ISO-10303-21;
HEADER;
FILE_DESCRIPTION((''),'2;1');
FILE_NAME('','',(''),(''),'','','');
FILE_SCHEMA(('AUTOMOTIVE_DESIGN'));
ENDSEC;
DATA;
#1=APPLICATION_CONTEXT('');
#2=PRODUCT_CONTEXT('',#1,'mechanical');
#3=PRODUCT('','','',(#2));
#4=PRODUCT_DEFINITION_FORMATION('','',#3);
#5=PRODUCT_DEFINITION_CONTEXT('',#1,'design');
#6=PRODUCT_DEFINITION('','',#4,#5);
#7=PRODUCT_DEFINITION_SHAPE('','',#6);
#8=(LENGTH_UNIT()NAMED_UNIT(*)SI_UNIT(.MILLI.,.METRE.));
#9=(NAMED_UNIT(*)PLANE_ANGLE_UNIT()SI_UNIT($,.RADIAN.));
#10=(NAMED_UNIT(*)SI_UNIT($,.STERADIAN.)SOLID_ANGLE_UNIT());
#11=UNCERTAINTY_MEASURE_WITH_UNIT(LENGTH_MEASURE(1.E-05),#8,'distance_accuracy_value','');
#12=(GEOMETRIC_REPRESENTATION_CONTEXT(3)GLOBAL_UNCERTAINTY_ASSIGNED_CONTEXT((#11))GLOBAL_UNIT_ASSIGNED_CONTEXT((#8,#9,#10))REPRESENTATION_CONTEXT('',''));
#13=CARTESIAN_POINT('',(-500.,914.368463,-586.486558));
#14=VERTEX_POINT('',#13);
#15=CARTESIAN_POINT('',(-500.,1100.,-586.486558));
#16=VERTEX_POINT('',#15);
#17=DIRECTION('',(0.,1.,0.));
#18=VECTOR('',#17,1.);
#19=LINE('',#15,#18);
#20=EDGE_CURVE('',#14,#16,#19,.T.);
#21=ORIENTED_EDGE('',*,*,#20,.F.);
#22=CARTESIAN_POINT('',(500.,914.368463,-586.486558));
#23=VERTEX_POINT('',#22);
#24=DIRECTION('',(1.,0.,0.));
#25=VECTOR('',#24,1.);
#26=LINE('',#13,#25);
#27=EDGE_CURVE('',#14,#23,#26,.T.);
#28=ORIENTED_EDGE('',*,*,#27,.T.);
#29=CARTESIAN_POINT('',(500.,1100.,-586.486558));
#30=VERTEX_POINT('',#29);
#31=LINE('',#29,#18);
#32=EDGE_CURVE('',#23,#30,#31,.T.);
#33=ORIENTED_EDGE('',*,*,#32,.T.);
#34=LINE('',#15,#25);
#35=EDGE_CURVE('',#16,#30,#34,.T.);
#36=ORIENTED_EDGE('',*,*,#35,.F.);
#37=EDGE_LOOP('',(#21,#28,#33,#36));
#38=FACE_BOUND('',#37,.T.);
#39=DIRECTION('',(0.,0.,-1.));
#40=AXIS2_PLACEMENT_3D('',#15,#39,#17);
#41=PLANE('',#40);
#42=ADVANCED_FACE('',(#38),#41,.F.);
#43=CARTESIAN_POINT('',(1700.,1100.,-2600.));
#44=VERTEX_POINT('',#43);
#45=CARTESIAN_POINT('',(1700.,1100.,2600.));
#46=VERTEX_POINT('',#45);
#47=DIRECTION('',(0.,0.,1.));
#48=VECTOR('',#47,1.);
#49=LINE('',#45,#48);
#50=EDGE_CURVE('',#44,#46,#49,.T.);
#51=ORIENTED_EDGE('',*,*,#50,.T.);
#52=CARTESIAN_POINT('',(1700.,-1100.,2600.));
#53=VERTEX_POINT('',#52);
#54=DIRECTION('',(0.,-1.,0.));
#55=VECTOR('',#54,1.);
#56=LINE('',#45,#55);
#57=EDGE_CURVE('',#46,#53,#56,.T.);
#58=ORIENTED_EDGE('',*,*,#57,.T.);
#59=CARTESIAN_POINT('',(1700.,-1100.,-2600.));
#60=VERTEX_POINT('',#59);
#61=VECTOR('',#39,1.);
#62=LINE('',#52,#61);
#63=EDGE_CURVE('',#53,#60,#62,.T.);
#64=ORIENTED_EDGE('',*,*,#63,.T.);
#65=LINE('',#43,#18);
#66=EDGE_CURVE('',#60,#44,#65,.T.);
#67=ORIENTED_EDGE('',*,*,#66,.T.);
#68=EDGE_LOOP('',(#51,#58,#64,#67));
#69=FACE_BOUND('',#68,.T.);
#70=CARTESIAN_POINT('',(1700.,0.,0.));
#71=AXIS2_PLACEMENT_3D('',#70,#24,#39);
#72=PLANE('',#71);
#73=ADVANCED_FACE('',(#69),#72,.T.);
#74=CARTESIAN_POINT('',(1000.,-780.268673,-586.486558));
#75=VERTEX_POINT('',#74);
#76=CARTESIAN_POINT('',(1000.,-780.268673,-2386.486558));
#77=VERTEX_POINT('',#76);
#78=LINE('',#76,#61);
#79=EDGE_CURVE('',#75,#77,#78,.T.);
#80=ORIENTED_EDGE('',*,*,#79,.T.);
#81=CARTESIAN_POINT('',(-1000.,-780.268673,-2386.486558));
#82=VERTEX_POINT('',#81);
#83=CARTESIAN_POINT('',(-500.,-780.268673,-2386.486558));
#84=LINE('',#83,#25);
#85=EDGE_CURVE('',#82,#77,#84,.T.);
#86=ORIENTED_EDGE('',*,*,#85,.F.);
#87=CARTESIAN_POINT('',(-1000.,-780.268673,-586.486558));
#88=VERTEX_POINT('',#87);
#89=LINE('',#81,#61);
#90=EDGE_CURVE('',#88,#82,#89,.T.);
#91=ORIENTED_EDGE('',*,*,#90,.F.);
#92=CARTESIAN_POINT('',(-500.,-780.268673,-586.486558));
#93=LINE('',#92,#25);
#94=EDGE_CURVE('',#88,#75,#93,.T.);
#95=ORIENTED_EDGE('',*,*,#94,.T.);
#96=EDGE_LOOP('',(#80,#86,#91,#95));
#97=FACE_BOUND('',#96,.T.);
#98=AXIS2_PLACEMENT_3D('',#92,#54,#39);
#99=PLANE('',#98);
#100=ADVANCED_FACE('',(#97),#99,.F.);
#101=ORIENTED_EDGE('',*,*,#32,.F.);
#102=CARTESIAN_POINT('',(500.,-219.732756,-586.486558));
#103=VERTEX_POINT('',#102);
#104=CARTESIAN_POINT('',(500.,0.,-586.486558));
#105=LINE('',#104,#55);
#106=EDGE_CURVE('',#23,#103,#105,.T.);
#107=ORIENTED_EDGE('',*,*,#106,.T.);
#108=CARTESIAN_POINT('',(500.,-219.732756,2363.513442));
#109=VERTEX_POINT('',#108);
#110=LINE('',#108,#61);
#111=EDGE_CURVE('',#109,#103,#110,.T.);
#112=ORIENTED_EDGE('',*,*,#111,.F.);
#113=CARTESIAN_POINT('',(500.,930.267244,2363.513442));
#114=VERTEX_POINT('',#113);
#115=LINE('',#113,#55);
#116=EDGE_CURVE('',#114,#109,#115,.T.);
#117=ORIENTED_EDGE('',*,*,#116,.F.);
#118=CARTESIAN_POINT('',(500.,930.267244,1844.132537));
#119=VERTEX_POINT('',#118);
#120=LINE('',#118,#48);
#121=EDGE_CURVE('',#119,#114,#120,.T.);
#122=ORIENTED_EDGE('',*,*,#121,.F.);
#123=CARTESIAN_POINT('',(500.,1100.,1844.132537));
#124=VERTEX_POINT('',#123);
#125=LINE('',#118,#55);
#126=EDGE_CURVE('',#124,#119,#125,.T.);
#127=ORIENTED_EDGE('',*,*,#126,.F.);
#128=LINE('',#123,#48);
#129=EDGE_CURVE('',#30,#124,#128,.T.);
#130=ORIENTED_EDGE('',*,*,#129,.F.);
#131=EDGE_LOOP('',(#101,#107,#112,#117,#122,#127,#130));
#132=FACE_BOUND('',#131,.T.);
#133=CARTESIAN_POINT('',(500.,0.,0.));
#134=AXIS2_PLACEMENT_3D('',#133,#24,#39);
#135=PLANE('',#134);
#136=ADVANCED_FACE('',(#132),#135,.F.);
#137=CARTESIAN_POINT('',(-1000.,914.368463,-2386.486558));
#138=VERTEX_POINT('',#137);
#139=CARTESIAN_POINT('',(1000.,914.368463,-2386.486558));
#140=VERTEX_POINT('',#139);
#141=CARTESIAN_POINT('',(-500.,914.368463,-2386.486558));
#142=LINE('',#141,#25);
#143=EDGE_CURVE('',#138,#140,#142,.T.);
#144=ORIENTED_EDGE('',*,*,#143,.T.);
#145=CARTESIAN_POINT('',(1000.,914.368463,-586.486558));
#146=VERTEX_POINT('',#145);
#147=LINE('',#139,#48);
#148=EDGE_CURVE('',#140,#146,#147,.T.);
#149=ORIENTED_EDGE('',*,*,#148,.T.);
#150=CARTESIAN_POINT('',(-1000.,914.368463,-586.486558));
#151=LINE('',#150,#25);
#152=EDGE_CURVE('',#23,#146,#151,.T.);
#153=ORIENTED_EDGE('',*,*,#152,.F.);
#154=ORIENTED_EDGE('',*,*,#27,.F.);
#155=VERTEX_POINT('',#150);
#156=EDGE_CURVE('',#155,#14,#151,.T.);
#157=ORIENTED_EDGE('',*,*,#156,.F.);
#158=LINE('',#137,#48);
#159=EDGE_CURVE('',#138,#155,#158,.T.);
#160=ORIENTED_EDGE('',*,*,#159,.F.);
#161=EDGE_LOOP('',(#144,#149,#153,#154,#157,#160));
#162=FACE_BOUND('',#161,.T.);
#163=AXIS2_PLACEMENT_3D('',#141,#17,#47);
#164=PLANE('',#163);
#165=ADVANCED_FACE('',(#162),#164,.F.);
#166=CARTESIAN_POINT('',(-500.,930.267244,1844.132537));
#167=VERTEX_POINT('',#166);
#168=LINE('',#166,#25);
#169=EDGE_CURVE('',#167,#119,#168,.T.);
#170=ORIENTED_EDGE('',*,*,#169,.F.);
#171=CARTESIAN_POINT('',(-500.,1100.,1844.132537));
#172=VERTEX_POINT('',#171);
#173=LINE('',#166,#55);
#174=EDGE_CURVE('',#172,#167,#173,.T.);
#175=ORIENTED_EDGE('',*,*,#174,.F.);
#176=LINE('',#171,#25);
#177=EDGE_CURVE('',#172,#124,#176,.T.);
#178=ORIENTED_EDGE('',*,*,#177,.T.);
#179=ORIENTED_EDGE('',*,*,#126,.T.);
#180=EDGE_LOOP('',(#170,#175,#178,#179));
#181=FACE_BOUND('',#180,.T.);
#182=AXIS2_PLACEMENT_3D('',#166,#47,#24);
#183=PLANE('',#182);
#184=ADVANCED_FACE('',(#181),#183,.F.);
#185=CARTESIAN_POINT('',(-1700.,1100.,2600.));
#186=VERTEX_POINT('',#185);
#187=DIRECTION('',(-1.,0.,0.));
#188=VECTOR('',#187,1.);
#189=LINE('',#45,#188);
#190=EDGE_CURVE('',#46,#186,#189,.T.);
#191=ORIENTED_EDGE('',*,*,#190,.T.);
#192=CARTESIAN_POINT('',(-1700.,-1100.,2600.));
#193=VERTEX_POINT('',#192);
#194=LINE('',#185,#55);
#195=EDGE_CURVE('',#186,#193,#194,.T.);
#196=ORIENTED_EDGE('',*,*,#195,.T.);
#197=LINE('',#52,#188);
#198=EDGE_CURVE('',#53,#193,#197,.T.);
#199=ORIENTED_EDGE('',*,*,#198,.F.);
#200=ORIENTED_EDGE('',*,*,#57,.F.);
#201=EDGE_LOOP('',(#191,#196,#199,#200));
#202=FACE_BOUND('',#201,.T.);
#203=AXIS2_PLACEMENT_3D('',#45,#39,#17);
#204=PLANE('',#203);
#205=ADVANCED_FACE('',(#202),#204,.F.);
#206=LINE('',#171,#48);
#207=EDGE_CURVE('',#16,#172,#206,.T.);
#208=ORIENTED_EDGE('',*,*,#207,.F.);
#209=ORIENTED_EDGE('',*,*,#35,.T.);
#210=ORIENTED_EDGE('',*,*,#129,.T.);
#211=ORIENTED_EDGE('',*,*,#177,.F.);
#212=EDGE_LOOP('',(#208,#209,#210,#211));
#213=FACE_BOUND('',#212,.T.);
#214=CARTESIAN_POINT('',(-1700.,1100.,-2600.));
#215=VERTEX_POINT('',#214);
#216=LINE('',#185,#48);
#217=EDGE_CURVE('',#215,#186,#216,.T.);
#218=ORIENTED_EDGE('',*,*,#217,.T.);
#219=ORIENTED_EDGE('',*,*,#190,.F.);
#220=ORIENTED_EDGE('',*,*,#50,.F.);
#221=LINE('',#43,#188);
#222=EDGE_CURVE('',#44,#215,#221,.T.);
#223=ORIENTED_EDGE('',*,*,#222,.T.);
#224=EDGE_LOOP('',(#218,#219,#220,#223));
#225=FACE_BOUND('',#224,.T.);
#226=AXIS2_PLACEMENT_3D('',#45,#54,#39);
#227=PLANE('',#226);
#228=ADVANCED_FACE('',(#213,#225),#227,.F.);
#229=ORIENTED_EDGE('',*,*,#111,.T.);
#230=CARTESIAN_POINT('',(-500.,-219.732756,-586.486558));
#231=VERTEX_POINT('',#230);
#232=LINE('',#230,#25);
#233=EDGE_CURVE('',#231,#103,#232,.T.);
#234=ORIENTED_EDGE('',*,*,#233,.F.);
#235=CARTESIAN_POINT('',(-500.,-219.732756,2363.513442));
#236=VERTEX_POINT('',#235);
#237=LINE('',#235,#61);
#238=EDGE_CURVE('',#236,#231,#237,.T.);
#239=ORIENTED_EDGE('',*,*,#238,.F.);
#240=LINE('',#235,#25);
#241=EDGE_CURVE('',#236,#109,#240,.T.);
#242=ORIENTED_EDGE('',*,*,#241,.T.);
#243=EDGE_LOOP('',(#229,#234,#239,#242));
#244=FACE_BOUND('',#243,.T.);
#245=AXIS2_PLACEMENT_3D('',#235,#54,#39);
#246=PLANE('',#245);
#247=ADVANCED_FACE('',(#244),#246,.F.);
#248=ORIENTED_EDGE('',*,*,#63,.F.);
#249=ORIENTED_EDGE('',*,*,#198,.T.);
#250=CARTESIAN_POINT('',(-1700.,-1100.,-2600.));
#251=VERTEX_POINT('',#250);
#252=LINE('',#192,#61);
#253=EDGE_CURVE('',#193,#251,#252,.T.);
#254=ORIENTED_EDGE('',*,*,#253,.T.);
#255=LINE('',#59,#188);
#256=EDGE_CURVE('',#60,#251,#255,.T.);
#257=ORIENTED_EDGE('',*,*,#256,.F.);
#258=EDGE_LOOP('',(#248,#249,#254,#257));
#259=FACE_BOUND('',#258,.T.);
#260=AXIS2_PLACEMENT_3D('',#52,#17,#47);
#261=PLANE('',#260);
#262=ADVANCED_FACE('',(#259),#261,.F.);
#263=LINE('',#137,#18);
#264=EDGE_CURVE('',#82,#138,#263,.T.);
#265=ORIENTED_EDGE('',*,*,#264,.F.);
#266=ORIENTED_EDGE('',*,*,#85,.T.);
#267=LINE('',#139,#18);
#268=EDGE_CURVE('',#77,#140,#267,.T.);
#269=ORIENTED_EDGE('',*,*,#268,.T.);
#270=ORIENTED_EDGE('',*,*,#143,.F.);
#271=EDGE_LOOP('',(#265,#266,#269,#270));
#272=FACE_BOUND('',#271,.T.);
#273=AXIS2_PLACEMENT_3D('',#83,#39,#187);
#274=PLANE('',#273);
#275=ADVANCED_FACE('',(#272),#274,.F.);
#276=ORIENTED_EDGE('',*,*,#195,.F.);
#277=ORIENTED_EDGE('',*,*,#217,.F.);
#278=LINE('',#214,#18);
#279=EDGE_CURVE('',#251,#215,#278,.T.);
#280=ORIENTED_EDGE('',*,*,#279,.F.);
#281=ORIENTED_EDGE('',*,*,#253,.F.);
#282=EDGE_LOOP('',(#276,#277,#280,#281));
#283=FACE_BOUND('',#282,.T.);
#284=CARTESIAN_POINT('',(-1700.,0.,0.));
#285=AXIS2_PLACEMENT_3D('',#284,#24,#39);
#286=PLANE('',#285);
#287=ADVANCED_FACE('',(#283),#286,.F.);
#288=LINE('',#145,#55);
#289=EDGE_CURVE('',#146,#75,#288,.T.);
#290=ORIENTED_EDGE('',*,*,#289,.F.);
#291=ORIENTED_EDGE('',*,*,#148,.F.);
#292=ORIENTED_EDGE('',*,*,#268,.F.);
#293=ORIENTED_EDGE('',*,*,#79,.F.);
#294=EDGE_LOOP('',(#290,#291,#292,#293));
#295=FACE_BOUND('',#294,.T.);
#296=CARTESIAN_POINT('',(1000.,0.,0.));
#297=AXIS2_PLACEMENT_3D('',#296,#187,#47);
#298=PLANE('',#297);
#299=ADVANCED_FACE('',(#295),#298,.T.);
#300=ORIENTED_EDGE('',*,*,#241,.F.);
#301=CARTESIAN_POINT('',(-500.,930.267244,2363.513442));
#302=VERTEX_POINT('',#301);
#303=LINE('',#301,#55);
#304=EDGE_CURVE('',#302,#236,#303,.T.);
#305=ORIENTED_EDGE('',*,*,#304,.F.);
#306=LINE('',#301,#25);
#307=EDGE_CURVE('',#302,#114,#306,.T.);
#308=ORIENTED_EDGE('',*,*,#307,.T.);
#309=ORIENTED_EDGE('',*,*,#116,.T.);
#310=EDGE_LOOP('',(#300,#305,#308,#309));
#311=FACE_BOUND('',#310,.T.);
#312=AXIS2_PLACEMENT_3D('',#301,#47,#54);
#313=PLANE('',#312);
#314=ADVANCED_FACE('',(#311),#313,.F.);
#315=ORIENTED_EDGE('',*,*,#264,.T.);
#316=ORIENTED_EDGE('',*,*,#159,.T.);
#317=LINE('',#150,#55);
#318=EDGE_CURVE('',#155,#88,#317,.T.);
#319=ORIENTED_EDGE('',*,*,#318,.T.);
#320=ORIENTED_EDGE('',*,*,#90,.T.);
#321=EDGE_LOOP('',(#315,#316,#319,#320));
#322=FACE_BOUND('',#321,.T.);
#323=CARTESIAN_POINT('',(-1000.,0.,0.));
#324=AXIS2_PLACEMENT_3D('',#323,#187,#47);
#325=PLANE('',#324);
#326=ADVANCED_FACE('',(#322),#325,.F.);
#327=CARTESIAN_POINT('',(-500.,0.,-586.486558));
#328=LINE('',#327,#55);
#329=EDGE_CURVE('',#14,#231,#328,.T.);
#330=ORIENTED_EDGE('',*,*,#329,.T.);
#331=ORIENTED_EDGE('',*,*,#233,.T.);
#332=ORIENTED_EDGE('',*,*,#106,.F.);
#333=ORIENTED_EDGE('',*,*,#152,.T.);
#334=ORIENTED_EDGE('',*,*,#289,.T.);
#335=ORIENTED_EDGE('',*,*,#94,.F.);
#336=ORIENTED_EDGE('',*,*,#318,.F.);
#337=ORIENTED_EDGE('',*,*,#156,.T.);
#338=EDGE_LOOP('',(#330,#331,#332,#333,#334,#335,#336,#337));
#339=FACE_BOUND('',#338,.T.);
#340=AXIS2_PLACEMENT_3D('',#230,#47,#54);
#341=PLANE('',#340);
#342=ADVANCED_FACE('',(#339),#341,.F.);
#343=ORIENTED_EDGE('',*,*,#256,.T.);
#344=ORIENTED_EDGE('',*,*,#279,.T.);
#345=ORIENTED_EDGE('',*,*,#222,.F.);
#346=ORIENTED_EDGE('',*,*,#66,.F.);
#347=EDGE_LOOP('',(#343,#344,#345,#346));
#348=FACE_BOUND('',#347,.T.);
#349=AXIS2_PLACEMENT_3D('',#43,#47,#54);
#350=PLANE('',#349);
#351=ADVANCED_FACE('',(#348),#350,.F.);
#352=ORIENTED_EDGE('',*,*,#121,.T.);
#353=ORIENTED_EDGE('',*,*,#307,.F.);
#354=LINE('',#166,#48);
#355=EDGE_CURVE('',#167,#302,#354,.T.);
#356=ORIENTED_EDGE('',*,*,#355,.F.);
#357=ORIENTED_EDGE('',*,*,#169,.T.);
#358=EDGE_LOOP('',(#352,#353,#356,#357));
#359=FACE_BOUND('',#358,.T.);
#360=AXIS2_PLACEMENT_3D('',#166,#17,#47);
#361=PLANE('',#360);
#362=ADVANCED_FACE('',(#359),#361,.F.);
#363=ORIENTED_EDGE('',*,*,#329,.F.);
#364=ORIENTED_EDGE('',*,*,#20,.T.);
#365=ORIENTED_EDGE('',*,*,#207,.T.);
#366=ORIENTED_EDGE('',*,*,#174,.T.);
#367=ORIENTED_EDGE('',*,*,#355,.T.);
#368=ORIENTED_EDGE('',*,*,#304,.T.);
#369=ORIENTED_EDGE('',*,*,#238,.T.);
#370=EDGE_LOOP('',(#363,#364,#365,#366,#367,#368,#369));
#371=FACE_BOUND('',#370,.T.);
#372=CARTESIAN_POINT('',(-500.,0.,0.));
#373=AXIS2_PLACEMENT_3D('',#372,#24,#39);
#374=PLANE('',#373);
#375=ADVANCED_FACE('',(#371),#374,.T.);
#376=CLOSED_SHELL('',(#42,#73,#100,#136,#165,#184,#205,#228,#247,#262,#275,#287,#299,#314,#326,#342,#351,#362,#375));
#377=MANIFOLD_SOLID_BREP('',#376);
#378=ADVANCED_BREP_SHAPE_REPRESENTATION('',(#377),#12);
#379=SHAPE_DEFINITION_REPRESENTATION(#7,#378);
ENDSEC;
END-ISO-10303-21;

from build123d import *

# Parameters (mm, degrees)
SKETCH_1_W          = 5200
SKETCH_1_H          = 2200
EXTRUDE_1_DEPTH     = 1700
CUT_EXTRUDE_1_DEPTH = 500
SKETCH_4_W          = 1800
SKETCH_4_H          = 1694.637135117
CUT_EXTRUDE_2_DEPTH = 1000


with BuildPart() as part:
    # Эскиз1 → Бобышка-Вытянуть1 (new body, symmetric)
    with BuildSketch(Plane(origin=(0, 0, 0), x_dir=(0, 0, -1), z_dir=(1, 0, 0))):
        Rectangle(SKETCH_1_W, SKETCH_1_H)
    extrude(amount=EXTRUDE_1_DEPTH, both=True)

    # Эскиз3 → Вырез-Вытянуть1 (cut, symmetric)
    with BuildSketch(Plane(origin=(0, 0, 0), x_dir=(0, 0, -1), z_dir=(1, 0, 0))):
        Polygon((-1844.132537204, 930.267244324), (-2363.513442227, 930.267244324), (-2363.513442227, -219.732755676), (586.486557773, -219.732755676), (586.486557773, -780.268672554), (2386.486557773, -780.268672554), (2386.486557773, 914.368462563), (586.486557773, 914.368462563), (586.486557773, 1100), (-1844.132537204, 1100), align=None)
    extrude(amount=CUT_EXTRUDE_1_DEPTH, both=True, mode=Mode.SUBTRACT)

    # Эскиз4 → Вырез-Вытянуть2 (cut, symmetric)
    with BuildSketch(Plane(origin=(0, 0, 0), x_dir=(0, 0, -1), z_dir=(1, 0, 0))):
        with Locations((1486.486557773, 67.049895005)):
            Rectangle(SKETCH_4_W, SKETCH_4_H)
    extrude(amount=CUT_EXTRUDE_2_DEPTH, both=True, mode=Mode.SUBTRACT)


solid = part.part
